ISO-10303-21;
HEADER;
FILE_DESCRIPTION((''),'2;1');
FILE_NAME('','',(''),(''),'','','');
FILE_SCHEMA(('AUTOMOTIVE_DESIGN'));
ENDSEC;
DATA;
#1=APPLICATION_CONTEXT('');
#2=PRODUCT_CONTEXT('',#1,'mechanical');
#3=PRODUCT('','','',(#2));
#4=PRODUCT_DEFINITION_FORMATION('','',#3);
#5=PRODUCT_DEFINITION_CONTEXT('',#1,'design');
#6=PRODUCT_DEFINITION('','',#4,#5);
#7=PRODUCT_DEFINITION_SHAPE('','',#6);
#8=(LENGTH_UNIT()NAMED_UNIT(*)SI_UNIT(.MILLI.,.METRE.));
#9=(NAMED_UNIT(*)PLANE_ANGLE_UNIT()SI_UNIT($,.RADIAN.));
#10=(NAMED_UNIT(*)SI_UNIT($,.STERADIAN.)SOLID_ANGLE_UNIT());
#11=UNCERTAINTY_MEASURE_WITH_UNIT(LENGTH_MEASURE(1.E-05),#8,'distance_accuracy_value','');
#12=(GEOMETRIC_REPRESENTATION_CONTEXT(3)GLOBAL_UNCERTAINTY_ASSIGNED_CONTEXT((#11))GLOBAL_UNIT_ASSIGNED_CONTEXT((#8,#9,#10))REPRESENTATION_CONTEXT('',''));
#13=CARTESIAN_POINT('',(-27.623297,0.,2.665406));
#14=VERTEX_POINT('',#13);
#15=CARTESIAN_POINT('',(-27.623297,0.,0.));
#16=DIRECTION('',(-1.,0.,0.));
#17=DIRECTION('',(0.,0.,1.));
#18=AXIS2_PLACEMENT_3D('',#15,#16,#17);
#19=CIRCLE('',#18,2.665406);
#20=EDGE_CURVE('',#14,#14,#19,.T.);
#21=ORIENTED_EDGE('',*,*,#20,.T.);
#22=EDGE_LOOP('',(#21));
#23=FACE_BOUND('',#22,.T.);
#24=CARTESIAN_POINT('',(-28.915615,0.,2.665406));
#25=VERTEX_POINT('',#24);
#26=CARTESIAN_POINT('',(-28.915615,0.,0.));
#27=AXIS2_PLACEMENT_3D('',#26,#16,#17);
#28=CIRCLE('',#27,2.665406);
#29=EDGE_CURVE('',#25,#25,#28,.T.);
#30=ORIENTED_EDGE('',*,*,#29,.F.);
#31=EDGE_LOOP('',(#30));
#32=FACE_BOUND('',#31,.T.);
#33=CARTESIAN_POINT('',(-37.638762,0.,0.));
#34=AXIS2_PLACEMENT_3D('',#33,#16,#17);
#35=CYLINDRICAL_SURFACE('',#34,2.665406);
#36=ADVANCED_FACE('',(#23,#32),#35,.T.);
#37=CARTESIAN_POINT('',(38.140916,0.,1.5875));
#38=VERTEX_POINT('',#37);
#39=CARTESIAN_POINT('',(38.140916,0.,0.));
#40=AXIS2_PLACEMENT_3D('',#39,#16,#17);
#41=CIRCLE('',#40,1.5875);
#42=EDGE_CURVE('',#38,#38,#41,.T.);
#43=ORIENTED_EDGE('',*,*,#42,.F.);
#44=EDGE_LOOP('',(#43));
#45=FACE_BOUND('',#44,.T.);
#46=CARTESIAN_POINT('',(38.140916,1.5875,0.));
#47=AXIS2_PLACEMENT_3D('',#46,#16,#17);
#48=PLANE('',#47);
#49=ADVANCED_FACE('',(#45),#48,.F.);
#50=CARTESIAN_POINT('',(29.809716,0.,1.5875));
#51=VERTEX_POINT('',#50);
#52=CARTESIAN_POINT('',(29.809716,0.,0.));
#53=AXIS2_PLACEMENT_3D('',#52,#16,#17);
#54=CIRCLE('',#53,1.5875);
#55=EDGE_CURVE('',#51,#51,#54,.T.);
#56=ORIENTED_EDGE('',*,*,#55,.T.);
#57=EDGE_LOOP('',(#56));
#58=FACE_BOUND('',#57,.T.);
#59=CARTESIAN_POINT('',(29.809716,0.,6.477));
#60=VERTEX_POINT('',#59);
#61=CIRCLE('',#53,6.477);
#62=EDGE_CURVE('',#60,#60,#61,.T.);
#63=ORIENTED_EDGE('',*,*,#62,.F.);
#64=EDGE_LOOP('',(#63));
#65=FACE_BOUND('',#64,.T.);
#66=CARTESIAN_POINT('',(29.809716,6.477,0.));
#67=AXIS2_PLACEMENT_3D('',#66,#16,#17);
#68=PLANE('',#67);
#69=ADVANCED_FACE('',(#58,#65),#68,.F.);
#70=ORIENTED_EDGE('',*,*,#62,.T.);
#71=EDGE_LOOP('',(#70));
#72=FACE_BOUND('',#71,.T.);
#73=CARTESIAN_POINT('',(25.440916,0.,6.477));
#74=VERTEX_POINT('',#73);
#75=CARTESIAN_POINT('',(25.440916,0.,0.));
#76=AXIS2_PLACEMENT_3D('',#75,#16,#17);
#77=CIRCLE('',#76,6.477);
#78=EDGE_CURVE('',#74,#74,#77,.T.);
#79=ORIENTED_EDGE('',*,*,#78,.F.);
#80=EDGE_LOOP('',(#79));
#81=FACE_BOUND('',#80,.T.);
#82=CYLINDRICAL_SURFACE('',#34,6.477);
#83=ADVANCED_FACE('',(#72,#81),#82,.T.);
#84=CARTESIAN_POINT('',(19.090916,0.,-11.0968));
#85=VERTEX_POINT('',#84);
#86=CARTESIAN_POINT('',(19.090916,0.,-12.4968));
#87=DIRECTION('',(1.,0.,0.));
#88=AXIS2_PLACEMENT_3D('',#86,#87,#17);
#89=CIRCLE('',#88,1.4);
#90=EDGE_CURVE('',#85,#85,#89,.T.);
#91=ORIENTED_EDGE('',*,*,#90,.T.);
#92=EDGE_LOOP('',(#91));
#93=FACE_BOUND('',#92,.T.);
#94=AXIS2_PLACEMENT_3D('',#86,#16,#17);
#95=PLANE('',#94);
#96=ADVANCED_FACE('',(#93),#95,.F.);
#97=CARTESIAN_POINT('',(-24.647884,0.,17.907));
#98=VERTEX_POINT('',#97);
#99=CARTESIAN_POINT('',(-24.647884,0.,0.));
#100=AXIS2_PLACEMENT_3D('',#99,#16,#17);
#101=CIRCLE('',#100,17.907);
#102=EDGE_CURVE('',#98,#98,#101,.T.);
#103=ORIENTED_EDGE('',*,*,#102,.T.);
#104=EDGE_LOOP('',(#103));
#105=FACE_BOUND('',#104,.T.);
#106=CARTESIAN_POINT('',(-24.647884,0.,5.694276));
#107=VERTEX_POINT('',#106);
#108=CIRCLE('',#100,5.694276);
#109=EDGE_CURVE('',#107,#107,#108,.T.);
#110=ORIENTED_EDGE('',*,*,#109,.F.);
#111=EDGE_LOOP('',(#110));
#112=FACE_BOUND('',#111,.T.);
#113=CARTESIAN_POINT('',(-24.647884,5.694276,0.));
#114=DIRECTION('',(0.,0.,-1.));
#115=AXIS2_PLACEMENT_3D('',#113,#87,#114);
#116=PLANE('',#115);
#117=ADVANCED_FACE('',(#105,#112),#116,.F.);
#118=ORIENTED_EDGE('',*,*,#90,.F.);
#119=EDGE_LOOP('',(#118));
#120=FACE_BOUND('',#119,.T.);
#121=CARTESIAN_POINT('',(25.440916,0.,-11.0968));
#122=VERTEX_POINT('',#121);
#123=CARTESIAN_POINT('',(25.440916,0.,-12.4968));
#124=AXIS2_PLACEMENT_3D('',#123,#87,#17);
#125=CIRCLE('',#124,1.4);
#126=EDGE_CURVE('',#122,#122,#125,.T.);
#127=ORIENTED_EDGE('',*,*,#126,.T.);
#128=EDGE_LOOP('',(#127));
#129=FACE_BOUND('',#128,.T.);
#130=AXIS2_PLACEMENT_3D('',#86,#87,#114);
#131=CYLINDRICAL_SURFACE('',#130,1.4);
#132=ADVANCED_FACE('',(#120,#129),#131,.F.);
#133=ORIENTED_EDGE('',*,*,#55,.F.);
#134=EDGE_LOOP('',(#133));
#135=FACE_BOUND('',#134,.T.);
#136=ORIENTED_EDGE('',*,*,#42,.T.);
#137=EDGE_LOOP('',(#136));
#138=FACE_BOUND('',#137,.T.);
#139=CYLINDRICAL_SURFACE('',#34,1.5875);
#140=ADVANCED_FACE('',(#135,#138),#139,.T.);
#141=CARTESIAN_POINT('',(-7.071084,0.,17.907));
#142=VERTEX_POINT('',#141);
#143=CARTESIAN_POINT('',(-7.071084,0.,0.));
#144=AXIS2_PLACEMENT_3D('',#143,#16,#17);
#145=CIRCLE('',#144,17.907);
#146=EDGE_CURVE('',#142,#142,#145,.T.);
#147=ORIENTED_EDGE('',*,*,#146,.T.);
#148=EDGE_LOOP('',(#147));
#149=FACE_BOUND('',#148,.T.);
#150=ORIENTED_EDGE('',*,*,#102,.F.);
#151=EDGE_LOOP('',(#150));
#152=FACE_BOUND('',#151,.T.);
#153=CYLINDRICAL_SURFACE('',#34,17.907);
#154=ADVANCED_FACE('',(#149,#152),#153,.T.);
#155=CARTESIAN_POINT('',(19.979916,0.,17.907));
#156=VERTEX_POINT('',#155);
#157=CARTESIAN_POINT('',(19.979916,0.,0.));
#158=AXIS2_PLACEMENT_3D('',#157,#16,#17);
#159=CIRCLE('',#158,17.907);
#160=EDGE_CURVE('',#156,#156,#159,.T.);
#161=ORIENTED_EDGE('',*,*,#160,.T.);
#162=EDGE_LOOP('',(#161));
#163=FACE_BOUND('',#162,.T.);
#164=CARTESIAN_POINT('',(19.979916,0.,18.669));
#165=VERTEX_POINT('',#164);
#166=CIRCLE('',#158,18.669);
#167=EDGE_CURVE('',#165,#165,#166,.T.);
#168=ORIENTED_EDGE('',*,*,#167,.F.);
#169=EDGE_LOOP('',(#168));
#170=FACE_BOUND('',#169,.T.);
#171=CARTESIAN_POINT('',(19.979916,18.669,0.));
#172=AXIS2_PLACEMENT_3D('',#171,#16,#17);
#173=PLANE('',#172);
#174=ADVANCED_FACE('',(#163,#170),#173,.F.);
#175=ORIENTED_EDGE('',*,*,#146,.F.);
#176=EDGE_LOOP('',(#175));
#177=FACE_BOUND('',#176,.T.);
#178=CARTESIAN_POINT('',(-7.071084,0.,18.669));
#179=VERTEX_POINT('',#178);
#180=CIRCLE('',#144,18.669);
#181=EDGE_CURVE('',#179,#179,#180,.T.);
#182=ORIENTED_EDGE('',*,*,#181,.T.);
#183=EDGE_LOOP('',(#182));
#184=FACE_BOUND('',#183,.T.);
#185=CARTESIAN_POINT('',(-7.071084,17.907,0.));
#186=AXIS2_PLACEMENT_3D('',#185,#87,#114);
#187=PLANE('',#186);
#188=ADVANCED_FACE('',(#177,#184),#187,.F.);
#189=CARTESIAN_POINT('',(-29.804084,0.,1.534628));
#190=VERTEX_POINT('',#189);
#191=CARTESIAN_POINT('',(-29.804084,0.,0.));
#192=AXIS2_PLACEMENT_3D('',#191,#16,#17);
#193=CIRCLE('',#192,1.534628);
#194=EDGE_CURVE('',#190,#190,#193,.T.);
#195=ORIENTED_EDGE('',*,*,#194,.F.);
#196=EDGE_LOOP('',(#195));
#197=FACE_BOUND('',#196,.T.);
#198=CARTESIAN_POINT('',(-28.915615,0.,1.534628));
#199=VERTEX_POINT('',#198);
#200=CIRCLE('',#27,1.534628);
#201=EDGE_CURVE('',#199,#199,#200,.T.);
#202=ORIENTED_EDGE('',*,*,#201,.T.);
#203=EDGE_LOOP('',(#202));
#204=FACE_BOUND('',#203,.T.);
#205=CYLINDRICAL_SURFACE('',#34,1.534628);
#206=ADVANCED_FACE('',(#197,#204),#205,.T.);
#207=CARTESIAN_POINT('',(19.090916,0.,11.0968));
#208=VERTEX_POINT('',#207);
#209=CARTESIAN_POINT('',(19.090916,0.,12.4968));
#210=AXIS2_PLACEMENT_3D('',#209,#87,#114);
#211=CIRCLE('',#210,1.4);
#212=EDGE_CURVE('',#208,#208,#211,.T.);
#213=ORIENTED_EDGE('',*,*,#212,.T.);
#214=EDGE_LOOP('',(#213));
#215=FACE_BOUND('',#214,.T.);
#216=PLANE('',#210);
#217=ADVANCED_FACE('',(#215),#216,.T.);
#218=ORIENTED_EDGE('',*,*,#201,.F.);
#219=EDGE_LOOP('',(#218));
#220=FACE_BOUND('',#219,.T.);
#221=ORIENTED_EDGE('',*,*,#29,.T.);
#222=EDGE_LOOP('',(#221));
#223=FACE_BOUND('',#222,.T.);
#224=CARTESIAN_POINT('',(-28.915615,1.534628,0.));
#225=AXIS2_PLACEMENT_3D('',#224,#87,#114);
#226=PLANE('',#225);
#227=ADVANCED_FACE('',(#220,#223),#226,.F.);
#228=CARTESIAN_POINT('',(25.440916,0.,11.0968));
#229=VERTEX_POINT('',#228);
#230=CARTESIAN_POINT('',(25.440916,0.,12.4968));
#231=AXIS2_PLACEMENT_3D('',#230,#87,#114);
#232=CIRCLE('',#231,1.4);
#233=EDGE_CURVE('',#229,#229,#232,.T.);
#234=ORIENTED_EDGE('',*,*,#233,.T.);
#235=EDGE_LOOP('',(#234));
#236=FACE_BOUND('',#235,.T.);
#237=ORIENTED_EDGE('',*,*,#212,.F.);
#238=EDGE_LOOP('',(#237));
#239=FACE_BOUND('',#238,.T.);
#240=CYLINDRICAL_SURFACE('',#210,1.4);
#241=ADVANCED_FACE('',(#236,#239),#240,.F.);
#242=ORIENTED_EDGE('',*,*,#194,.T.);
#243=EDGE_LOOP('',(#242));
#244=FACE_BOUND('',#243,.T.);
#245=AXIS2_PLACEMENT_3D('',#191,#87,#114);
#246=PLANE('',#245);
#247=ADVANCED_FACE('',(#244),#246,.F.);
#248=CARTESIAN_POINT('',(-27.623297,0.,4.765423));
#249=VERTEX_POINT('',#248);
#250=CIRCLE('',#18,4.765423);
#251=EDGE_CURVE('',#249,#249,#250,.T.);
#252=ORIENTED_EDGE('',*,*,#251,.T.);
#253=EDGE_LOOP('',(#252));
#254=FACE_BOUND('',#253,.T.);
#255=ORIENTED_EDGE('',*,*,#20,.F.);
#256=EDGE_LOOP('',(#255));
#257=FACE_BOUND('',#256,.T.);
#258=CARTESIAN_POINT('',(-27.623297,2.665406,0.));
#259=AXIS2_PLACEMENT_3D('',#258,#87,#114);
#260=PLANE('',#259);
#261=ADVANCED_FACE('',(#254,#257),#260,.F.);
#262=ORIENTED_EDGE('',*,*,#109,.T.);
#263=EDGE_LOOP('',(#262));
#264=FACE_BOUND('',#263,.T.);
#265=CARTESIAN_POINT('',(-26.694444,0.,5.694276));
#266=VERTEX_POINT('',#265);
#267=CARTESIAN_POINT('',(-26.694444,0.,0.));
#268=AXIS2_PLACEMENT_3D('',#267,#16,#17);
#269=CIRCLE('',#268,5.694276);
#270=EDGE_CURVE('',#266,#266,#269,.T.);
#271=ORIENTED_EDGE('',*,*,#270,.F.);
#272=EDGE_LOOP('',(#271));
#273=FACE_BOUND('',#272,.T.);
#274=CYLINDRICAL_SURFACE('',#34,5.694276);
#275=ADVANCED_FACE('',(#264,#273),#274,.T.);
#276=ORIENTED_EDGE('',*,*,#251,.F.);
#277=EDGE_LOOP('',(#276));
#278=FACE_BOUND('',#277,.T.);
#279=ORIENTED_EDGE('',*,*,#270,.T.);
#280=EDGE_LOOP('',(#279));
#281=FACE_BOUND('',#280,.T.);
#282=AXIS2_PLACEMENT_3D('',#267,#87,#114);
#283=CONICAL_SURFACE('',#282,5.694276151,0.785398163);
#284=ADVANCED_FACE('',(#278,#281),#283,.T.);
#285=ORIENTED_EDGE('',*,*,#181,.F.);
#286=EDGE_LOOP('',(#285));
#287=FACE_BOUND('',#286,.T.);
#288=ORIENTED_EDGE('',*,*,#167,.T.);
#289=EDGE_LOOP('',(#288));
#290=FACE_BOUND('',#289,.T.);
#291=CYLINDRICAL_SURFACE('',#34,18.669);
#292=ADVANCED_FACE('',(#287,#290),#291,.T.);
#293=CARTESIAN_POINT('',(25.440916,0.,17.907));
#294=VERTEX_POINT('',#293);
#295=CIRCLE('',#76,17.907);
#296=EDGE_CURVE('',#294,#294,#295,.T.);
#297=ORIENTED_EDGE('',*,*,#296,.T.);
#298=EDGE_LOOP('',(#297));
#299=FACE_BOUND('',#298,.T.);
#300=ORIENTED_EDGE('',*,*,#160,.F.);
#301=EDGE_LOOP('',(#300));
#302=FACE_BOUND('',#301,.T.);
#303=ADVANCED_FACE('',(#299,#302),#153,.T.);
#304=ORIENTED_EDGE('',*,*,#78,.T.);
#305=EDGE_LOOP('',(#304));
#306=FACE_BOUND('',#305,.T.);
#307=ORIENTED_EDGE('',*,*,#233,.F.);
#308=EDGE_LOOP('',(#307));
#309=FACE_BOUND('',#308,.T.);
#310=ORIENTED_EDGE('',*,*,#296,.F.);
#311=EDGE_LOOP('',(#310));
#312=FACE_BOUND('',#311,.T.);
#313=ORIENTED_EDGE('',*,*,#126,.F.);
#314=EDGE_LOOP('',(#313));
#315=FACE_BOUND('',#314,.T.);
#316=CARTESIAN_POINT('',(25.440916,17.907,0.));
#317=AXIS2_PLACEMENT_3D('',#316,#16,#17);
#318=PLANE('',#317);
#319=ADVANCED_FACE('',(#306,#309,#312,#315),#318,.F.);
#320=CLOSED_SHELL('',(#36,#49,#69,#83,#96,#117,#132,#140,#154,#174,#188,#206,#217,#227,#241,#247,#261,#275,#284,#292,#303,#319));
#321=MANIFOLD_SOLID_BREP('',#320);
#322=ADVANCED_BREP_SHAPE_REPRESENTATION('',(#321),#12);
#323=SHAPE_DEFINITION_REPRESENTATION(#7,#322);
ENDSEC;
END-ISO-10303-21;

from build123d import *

# Parameters (mm, degrees)
SKETCH2_R          = 1.4
CUT_EXTRUDE1_DEPTH = 6.35


with BuildPart() as part:
    # Sketch1 → Revolve1 (revolve)
    with BuildSketch(Plane.XY):
        Polygon((-29.804083682, 0), (-29.804083682, 1.534627615), (-28.915615063, 1.534627615), (-28.915615063, 2.665405858), (-27.623297071, 2.665405858), (-27.623297071, 4.765422594), (-26.694443515, 5.694276151), (-24.647883682, 5.694276151), (-24.647883682, 17.907), (-7.071083682, 17.907), (-7.071083682, 18.669), (19.979916318, 18.669), (19.979916318, 17.907), (25.440916318, 17.907), (25.440916318, 6.477), (29.809716318, 6.477), (29.809716318, 1.5875), (38.140916318, 1.5875), (38.140916318, 0), align=None)
    revolve(axis=Axis((-37.638761506, 0, 0), (1, 0, 0)))

    # Sketch2 → Cut-Extrude1 (cut)
    with BuildSketch(Plane(origin=(25.440916318, 0, 0), x_dir=(0, 0, -1), z_dir=(1, 0, 0))):
        with Locations((-12.4968, 0)):
            Circle(SKETCH2_R)
        with Locations((12.4968, 0)):
            Circle(SKETCH2_R)
    extrude(amount=-CUT_EXTRUDE1_DEPTH, mode=Mode.SUBTRACT)


solid = part.part
